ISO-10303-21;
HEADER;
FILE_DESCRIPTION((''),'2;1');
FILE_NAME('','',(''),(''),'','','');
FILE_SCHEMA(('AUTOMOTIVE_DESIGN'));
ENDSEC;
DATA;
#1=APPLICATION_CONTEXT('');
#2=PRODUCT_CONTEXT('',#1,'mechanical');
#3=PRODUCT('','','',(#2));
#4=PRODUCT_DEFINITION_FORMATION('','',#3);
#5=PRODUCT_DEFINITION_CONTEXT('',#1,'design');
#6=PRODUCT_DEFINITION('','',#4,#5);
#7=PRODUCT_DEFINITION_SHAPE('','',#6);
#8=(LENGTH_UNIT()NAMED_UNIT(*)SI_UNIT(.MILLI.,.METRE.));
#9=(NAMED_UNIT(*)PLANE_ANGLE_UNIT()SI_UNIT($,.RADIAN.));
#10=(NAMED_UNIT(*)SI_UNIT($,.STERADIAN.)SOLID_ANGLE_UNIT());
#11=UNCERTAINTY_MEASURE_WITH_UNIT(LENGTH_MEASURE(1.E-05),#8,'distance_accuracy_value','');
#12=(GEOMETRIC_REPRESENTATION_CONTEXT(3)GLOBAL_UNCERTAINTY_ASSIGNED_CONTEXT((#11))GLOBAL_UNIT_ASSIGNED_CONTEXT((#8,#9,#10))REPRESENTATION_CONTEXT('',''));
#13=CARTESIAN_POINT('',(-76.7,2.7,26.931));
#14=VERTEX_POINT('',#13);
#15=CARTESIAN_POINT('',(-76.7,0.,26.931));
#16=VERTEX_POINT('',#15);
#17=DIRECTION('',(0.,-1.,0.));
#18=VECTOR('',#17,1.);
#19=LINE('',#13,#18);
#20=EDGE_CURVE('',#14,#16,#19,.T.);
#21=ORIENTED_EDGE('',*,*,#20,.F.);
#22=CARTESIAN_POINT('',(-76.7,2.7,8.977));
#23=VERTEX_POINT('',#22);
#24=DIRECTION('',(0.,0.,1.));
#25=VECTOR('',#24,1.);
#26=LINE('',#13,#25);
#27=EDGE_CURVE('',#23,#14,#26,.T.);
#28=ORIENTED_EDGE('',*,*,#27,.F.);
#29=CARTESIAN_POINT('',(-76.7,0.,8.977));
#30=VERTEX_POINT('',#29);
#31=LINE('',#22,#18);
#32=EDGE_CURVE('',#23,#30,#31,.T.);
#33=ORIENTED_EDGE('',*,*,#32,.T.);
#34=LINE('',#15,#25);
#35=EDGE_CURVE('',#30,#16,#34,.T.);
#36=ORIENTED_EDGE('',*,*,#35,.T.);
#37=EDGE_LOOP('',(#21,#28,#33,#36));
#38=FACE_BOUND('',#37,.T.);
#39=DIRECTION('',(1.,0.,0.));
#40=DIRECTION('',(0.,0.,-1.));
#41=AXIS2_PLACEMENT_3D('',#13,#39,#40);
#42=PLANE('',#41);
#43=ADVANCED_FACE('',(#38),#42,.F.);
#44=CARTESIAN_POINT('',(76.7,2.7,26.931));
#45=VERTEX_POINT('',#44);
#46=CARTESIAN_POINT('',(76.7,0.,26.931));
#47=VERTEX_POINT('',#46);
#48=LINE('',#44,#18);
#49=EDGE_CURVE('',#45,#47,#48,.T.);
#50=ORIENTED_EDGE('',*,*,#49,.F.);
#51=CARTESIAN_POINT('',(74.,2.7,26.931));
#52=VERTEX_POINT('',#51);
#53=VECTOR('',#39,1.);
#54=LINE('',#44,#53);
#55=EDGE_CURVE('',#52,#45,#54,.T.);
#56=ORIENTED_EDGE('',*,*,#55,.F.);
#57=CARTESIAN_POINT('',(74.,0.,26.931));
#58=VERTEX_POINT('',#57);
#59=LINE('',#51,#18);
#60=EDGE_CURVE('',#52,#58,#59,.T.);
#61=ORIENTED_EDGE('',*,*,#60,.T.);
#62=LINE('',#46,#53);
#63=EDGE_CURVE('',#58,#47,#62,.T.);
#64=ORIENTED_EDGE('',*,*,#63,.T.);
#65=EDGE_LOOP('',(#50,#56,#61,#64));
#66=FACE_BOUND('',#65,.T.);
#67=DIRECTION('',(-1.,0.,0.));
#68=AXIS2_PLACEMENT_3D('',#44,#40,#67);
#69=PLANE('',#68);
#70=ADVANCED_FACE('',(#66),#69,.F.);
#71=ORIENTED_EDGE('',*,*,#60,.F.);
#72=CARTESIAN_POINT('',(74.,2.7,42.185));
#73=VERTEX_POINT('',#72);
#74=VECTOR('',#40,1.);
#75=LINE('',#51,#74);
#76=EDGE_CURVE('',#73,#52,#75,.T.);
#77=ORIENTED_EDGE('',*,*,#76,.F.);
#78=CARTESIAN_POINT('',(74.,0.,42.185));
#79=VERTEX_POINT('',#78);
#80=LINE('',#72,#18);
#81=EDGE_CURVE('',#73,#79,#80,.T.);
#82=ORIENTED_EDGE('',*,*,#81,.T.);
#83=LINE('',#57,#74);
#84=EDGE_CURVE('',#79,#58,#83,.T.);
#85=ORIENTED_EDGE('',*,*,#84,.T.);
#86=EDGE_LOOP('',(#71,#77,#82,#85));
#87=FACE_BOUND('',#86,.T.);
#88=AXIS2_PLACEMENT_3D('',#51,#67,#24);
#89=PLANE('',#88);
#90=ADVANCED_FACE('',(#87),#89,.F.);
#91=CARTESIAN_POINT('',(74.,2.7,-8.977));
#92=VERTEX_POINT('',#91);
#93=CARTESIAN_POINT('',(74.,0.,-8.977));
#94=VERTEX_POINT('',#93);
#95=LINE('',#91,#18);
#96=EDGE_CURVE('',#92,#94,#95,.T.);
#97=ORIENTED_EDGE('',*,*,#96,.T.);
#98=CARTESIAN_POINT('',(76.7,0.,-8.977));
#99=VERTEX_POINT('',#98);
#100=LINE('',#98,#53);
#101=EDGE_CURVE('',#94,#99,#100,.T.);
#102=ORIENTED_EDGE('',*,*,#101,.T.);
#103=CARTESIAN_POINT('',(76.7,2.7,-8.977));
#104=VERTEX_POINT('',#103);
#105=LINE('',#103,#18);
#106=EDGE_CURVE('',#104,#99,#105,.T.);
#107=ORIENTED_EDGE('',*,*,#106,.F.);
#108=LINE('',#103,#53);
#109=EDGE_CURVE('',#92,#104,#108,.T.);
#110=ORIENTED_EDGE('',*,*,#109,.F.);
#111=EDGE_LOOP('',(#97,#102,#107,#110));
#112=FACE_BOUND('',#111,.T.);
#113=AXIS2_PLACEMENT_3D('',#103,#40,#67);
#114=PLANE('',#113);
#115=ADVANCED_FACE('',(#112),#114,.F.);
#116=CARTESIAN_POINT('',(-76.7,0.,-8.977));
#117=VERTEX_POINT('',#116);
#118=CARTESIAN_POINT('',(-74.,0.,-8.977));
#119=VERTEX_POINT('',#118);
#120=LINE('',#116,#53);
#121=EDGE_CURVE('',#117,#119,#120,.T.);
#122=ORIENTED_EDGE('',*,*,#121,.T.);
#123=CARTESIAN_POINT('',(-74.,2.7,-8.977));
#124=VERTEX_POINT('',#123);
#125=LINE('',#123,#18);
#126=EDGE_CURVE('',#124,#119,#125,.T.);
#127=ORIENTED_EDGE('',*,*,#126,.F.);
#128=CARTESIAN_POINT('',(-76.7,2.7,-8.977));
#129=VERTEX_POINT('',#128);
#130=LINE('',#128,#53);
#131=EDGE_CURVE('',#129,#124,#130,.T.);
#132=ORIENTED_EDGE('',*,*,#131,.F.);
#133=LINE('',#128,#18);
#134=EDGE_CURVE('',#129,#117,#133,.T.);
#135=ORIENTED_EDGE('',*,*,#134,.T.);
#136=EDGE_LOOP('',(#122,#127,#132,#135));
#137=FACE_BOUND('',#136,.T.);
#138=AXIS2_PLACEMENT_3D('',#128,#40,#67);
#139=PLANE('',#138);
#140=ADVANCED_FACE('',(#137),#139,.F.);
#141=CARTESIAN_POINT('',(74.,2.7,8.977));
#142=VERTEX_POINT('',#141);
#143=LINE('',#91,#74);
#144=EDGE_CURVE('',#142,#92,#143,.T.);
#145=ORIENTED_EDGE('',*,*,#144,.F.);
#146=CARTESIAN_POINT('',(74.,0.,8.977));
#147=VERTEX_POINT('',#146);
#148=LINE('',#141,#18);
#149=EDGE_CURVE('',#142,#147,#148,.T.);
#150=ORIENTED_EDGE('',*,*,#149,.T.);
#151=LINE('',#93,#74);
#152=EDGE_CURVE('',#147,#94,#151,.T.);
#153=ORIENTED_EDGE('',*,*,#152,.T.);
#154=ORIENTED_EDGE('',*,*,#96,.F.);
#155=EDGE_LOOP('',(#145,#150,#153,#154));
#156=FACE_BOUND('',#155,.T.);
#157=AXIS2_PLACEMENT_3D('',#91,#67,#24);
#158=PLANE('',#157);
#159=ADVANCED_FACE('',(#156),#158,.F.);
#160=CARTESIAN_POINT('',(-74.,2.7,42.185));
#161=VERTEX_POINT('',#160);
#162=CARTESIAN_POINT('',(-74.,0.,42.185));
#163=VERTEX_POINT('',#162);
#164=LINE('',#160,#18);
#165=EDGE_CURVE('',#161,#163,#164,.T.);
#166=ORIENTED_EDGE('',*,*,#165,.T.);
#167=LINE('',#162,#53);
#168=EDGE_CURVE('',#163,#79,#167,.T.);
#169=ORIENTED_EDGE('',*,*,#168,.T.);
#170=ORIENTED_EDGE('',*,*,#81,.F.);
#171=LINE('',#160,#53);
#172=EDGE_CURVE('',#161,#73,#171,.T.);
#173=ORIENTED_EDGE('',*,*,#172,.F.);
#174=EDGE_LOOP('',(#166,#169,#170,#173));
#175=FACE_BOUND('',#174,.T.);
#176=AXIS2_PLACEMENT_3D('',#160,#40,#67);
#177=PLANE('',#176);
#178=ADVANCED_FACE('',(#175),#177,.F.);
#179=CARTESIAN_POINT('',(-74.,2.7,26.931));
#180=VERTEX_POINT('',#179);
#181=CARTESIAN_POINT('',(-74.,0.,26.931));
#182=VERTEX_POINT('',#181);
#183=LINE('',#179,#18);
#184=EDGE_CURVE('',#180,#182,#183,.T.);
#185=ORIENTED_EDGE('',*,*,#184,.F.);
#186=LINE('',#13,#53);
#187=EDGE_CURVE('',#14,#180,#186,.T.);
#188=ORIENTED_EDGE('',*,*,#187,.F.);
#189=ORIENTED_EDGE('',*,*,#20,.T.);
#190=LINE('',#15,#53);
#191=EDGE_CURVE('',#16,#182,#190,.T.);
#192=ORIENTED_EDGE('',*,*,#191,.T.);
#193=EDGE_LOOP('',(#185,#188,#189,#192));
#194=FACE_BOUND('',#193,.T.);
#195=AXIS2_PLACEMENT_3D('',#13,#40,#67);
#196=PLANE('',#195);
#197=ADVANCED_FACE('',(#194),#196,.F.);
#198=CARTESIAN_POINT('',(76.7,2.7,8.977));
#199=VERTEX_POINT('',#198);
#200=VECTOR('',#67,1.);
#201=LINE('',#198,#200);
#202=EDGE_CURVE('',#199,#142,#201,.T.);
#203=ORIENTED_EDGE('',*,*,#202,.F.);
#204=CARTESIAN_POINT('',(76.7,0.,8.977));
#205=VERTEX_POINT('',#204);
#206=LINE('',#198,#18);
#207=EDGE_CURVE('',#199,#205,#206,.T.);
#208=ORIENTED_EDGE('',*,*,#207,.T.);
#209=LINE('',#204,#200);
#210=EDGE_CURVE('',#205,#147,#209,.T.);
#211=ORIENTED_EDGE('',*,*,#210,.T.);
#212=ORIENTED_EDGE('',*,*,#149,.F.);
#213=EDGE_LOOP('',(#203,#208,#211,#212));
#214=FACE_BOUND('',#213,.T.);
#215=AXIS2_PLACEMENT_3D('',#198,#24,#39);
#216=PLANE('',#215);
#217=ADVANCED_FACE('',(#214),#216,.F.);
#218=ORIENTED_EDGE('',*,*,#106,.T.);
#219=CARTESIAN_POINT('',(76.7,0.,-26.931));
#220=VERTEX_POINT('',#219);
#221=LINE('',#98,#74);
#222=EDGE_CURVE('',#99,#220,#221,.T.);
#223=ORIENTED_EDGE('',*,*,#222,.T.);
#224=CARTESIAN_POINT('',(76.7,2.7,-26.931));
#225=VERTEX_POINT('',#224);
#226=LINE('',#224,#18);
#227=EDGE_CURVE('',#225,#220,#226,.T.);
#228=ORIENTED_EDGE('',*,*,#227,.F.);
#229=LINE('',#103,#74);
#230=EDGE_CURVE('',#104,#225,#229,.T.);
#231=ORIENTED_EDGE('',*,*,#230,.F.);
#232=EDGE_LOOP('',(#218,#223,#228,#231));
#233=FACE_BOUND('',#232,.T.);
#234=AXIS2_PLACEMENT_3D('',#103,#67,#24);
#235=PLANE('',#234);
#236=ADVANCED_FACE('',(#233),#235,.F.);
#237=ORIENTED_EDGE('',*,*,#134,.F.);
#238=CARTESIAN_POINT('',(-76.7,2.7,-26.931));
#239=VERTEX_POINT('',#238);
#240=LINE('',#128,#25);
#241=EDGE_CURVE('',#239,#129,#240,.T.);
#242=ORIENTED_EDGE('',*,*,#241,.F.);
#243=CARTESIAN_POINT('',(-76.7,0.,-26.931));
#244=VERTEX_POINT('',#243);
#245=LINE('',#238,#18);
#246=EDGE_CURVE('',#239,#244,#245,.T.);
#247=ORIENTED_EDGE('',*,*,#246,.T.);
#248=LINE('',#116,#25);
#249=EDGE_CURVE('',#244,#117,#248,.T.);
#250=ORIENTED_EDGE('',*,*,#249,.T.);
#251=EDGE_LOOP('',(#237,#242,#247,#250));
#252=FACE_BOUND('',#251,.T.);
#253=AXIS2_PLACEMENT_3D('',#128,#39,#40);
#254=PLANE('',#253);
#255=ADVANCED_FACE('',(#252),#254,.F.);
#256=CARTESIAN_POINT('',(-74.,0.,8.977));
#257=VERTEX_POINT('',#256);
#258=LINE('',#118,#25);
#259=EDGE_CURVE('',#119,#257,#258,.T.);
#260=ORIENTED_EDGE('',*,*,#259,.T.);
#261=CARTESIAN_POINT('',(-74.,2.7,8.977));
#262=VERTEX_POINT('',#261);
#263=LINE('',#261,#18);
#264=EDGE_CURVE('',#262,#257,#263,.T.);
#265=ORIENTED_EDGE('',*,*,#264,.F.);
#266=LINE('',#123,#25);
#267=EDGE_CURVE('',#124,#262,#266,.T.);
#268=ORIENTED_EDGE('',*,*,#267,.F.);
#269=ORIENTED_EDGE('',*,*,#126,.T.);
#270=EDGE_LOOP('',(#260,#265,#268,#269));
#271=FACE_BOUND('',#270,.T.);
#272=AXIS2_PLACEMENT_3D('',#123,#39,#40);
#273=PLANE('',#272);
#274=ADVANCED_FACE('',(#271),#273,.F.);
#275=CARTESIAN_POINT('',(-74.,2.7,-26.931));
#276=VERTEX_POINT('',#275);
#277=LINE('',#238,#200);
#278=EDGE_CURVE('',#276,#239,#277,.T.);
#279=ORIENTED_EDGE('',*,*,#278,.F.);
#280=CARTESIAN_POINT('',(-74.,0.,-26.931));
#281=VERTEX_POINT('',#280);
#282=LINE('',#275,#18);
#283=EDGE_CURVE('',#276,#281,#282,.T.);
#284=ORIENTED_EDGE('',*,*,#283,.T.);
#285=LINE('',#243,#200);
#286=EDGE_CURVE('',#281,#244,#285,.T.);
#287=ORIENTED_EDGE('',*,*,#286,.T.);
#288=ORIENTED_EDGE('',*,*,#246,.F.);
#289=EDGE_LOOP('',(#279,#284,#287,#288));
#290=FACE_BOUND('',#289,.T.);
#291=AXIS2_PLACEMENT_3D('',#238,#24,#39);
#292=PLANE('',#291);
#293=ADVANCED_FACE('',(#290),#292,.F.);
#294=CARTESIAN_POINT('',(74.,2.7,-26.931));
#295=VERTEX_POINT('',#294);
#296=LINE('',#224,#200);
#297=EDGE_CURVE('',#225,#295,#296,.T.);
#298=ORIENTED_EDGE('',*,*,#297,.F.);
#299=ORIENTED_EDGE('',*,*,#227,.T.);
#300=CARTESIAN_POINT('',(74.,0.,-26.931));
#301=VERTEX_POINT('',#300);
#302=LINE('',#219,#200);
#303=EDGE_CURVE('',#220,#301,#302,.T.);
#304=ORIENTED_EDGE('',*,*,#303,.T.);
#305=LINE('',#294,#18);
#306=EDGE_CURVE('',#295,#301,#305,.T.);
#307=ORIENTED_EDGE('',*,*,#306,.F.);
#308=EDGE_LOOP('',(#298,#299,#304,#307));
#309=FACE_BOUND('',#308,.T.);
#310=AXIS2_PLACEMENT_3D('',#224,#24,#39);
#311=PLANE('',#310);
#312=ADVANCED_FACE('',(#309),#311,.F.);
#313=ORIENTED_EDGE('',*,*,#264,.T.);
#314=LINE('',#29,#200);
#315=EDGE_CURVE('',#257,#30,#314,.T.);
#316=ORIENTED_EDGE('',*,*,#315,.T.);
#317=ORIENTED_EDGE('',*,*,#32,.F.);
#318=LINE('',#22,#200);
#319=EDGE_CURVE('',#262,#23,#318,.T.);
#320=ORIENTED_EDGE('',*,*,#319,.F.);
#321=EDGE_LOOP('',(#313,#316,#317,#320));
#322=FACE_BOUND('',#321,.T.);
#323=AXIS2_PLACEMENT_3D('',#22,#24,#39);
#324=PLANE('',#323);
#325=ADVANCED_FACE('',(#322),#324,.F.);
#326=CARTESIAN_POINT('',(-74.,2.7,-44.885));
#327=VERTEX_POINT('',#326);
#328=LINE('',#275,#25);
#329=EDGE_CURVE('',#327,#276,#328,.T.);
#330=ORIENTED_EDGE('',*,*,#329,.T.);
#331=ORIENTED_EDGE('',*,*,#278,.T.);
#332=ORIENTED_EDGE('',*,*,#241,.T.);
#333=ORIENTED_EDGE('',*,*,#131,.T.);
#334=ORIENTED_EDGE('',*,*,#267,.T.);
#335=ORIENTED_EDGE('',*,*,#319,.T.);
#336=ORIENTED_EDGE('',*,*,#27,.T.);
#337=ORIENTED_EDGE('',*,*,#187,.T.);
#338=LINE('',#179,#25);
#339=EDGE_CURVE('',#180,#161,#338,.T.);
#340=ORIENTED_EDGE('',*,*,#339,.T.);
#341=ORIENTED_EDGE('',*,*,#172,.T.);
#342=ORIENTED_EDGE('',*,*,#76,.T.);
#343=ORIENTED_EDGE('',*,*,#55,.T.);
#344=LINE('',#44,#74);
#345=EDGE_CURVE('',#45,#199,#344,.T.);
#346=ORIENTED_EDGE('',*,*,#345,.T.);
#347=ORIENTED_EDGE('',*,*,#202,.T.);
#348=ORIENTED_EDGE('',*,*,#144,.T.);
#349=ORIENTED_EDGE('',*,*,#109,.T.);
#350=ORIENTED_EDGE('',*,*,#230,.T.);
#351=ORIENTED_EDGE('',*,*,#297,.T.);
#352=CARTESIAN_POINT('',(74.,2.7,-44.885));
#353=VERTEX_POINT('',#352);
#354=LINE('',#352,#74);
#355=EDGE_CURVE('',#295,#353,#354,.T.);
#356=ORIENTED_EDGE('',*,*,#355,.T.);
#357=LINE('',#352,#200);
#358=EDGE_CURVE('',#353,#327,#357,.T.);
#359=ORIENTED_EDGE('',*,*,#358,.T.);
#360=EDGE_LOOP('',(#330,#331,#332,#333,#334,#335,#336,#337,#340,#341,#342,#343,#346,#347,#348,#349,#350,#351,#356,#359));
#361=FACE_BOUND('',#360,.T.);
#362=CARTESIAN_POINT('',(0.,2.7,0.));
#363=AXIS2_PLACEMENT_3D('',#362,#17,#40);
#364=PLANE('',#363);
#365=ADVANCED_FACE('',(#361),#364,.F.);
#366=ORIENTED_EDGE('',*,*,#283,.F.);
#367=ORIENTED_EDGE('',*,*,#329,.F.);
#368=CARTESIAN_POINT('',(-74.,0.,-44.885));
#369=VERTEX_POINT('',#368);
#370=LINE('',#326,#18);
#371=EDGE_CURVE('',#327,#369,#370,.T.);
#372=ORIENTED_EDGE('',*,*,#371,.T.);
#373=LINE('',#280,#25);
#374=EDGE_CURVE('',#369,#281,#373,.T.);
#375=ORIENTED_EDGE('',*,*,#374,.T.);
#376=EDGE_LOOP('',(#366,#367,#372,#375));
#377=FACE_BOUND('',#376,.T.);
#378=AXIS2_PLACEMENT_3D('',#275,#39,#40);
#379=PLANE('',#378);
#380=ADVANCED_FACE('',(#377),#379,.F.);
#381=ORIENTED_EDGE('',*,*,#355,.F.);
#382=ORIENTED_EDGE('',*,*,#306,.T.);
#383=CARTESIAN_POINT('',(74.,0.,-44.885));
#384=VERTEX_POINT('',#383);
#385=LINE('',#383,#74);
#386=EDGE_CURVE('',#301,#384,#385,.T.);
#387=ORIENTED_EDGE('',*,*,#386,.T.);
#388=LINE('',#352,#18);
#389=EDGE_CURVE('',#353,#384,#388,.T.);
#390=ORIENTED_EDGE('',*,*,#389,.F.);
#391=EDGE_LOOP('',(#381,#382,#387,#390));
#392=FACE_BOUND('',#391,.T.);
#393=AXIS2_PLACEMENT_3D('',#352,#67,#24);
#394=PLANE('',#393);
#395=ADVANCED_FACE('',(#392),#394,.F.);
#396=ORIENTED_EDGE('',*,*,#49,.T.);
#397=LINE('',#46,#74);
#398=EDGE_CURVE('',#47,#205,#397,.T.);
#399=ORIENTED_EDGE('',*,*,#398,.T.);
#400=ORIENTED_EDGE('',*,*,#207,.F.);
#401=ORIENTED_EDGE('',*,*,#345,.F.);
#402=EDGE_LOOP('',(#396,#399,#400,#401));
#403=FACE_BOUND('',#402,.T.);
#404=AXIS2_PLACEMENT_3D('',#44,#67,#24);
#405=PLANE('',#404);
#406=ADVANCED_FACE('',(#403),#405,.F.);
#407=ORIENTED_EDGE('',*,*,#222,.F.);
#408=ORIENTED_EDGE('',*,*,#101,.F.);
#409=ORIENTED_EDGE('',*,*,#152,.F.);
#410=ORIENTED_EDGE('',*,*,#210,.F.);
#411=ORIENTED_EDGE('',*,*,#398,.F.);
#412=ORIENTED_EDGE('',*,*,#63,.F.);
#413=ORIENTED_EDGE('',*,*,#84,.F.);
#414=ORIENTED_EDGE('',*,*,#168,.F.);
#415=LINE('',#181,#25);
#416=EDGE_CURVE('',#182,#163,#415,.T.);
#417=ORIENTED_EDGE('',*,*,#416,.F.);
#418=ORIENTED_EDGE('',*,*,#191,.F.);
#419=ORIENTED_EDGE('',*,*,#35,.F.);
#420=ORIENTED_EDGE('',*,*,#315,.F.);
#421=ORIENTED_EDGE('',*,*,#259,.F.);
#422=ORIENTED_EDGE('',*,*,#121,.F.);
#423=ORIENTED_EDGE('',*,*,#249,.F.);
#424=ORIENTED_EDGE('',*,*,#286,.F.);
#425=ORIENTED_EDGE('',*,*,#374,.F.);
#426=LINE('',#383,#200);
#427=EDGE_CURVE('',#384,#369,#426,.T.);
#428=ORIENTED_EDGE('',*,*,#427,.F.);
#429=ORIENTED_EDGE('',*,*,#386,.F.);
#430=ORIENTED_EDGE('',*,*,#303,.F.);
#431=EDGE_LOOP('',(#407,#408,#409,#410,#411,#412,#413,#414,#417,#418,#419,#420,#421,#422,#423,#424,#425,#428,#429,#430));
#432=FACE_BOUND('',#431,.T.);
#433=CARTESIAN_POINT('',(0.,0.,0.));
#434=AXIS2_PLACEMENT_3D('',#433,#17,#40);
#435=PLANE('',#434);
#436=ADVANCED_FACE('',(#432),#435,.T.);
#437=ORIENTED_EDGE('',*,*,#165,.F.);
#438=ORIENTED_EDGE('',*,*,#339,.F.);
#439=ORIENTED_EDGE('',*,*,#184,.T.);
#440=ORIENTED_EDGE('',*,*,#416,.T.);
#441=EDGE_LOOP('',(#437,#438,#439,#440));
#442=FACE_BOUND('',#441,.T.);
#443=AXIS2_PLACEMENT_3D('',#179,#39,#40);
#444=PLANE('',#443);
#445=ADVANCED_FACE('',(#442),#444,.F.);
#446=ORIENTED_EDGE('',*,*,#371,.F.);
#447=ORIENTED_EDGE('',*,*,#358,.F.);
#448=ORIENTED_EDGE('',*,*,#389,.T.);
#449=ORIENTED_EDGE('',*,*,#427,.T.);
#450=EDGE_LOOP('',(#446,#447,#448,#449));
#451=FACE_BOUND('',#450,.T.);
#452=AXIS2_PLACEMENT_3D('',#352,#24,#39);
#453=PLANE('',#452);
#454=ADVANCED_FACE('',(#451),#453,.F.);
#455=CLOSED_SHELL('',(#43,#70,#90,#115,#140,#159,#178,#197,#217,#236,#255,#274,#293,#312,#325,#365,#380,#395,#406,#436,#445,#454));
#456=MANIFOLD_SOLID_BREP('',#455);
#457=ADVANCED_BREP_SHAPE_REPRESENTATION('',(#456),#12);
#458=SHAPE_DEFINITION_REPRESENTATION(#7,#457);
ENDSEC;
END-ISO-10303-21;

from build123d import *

# Parameters (mm, degrees)
BOSS_EXTRUDE1_DEPTH = 2.7


with BuildPart() as part:
    # Sketch2 → Boss-Extrude1 (new body)
    with BuildSketch(Plane(origin=(0, 0, 0), x_dir=(1, 0, 0), z_dir=(0, 1, 0))):
        Polygon((-76.7, -26.931), (-76.7, -8.977), (-74, -8.977), (-74, 8.977), (-76.7, 8.977), (-76.7, 26.931), (-74, 26.931), (-74, 44.885), (74, 44.885), (74, 26.931), (76.7, 26.931), (76.7, 8.977), (74, 8.977), (74, -8.977), (76.7, -8.977), (76.7, -26.931), (74, -26.931), (74, -42.185), (-74, -42.185), (-74, -26.931), align=None)
    extrude(amount=BOSS_EXTRUDE1_DEPTH)


solid = part.part
